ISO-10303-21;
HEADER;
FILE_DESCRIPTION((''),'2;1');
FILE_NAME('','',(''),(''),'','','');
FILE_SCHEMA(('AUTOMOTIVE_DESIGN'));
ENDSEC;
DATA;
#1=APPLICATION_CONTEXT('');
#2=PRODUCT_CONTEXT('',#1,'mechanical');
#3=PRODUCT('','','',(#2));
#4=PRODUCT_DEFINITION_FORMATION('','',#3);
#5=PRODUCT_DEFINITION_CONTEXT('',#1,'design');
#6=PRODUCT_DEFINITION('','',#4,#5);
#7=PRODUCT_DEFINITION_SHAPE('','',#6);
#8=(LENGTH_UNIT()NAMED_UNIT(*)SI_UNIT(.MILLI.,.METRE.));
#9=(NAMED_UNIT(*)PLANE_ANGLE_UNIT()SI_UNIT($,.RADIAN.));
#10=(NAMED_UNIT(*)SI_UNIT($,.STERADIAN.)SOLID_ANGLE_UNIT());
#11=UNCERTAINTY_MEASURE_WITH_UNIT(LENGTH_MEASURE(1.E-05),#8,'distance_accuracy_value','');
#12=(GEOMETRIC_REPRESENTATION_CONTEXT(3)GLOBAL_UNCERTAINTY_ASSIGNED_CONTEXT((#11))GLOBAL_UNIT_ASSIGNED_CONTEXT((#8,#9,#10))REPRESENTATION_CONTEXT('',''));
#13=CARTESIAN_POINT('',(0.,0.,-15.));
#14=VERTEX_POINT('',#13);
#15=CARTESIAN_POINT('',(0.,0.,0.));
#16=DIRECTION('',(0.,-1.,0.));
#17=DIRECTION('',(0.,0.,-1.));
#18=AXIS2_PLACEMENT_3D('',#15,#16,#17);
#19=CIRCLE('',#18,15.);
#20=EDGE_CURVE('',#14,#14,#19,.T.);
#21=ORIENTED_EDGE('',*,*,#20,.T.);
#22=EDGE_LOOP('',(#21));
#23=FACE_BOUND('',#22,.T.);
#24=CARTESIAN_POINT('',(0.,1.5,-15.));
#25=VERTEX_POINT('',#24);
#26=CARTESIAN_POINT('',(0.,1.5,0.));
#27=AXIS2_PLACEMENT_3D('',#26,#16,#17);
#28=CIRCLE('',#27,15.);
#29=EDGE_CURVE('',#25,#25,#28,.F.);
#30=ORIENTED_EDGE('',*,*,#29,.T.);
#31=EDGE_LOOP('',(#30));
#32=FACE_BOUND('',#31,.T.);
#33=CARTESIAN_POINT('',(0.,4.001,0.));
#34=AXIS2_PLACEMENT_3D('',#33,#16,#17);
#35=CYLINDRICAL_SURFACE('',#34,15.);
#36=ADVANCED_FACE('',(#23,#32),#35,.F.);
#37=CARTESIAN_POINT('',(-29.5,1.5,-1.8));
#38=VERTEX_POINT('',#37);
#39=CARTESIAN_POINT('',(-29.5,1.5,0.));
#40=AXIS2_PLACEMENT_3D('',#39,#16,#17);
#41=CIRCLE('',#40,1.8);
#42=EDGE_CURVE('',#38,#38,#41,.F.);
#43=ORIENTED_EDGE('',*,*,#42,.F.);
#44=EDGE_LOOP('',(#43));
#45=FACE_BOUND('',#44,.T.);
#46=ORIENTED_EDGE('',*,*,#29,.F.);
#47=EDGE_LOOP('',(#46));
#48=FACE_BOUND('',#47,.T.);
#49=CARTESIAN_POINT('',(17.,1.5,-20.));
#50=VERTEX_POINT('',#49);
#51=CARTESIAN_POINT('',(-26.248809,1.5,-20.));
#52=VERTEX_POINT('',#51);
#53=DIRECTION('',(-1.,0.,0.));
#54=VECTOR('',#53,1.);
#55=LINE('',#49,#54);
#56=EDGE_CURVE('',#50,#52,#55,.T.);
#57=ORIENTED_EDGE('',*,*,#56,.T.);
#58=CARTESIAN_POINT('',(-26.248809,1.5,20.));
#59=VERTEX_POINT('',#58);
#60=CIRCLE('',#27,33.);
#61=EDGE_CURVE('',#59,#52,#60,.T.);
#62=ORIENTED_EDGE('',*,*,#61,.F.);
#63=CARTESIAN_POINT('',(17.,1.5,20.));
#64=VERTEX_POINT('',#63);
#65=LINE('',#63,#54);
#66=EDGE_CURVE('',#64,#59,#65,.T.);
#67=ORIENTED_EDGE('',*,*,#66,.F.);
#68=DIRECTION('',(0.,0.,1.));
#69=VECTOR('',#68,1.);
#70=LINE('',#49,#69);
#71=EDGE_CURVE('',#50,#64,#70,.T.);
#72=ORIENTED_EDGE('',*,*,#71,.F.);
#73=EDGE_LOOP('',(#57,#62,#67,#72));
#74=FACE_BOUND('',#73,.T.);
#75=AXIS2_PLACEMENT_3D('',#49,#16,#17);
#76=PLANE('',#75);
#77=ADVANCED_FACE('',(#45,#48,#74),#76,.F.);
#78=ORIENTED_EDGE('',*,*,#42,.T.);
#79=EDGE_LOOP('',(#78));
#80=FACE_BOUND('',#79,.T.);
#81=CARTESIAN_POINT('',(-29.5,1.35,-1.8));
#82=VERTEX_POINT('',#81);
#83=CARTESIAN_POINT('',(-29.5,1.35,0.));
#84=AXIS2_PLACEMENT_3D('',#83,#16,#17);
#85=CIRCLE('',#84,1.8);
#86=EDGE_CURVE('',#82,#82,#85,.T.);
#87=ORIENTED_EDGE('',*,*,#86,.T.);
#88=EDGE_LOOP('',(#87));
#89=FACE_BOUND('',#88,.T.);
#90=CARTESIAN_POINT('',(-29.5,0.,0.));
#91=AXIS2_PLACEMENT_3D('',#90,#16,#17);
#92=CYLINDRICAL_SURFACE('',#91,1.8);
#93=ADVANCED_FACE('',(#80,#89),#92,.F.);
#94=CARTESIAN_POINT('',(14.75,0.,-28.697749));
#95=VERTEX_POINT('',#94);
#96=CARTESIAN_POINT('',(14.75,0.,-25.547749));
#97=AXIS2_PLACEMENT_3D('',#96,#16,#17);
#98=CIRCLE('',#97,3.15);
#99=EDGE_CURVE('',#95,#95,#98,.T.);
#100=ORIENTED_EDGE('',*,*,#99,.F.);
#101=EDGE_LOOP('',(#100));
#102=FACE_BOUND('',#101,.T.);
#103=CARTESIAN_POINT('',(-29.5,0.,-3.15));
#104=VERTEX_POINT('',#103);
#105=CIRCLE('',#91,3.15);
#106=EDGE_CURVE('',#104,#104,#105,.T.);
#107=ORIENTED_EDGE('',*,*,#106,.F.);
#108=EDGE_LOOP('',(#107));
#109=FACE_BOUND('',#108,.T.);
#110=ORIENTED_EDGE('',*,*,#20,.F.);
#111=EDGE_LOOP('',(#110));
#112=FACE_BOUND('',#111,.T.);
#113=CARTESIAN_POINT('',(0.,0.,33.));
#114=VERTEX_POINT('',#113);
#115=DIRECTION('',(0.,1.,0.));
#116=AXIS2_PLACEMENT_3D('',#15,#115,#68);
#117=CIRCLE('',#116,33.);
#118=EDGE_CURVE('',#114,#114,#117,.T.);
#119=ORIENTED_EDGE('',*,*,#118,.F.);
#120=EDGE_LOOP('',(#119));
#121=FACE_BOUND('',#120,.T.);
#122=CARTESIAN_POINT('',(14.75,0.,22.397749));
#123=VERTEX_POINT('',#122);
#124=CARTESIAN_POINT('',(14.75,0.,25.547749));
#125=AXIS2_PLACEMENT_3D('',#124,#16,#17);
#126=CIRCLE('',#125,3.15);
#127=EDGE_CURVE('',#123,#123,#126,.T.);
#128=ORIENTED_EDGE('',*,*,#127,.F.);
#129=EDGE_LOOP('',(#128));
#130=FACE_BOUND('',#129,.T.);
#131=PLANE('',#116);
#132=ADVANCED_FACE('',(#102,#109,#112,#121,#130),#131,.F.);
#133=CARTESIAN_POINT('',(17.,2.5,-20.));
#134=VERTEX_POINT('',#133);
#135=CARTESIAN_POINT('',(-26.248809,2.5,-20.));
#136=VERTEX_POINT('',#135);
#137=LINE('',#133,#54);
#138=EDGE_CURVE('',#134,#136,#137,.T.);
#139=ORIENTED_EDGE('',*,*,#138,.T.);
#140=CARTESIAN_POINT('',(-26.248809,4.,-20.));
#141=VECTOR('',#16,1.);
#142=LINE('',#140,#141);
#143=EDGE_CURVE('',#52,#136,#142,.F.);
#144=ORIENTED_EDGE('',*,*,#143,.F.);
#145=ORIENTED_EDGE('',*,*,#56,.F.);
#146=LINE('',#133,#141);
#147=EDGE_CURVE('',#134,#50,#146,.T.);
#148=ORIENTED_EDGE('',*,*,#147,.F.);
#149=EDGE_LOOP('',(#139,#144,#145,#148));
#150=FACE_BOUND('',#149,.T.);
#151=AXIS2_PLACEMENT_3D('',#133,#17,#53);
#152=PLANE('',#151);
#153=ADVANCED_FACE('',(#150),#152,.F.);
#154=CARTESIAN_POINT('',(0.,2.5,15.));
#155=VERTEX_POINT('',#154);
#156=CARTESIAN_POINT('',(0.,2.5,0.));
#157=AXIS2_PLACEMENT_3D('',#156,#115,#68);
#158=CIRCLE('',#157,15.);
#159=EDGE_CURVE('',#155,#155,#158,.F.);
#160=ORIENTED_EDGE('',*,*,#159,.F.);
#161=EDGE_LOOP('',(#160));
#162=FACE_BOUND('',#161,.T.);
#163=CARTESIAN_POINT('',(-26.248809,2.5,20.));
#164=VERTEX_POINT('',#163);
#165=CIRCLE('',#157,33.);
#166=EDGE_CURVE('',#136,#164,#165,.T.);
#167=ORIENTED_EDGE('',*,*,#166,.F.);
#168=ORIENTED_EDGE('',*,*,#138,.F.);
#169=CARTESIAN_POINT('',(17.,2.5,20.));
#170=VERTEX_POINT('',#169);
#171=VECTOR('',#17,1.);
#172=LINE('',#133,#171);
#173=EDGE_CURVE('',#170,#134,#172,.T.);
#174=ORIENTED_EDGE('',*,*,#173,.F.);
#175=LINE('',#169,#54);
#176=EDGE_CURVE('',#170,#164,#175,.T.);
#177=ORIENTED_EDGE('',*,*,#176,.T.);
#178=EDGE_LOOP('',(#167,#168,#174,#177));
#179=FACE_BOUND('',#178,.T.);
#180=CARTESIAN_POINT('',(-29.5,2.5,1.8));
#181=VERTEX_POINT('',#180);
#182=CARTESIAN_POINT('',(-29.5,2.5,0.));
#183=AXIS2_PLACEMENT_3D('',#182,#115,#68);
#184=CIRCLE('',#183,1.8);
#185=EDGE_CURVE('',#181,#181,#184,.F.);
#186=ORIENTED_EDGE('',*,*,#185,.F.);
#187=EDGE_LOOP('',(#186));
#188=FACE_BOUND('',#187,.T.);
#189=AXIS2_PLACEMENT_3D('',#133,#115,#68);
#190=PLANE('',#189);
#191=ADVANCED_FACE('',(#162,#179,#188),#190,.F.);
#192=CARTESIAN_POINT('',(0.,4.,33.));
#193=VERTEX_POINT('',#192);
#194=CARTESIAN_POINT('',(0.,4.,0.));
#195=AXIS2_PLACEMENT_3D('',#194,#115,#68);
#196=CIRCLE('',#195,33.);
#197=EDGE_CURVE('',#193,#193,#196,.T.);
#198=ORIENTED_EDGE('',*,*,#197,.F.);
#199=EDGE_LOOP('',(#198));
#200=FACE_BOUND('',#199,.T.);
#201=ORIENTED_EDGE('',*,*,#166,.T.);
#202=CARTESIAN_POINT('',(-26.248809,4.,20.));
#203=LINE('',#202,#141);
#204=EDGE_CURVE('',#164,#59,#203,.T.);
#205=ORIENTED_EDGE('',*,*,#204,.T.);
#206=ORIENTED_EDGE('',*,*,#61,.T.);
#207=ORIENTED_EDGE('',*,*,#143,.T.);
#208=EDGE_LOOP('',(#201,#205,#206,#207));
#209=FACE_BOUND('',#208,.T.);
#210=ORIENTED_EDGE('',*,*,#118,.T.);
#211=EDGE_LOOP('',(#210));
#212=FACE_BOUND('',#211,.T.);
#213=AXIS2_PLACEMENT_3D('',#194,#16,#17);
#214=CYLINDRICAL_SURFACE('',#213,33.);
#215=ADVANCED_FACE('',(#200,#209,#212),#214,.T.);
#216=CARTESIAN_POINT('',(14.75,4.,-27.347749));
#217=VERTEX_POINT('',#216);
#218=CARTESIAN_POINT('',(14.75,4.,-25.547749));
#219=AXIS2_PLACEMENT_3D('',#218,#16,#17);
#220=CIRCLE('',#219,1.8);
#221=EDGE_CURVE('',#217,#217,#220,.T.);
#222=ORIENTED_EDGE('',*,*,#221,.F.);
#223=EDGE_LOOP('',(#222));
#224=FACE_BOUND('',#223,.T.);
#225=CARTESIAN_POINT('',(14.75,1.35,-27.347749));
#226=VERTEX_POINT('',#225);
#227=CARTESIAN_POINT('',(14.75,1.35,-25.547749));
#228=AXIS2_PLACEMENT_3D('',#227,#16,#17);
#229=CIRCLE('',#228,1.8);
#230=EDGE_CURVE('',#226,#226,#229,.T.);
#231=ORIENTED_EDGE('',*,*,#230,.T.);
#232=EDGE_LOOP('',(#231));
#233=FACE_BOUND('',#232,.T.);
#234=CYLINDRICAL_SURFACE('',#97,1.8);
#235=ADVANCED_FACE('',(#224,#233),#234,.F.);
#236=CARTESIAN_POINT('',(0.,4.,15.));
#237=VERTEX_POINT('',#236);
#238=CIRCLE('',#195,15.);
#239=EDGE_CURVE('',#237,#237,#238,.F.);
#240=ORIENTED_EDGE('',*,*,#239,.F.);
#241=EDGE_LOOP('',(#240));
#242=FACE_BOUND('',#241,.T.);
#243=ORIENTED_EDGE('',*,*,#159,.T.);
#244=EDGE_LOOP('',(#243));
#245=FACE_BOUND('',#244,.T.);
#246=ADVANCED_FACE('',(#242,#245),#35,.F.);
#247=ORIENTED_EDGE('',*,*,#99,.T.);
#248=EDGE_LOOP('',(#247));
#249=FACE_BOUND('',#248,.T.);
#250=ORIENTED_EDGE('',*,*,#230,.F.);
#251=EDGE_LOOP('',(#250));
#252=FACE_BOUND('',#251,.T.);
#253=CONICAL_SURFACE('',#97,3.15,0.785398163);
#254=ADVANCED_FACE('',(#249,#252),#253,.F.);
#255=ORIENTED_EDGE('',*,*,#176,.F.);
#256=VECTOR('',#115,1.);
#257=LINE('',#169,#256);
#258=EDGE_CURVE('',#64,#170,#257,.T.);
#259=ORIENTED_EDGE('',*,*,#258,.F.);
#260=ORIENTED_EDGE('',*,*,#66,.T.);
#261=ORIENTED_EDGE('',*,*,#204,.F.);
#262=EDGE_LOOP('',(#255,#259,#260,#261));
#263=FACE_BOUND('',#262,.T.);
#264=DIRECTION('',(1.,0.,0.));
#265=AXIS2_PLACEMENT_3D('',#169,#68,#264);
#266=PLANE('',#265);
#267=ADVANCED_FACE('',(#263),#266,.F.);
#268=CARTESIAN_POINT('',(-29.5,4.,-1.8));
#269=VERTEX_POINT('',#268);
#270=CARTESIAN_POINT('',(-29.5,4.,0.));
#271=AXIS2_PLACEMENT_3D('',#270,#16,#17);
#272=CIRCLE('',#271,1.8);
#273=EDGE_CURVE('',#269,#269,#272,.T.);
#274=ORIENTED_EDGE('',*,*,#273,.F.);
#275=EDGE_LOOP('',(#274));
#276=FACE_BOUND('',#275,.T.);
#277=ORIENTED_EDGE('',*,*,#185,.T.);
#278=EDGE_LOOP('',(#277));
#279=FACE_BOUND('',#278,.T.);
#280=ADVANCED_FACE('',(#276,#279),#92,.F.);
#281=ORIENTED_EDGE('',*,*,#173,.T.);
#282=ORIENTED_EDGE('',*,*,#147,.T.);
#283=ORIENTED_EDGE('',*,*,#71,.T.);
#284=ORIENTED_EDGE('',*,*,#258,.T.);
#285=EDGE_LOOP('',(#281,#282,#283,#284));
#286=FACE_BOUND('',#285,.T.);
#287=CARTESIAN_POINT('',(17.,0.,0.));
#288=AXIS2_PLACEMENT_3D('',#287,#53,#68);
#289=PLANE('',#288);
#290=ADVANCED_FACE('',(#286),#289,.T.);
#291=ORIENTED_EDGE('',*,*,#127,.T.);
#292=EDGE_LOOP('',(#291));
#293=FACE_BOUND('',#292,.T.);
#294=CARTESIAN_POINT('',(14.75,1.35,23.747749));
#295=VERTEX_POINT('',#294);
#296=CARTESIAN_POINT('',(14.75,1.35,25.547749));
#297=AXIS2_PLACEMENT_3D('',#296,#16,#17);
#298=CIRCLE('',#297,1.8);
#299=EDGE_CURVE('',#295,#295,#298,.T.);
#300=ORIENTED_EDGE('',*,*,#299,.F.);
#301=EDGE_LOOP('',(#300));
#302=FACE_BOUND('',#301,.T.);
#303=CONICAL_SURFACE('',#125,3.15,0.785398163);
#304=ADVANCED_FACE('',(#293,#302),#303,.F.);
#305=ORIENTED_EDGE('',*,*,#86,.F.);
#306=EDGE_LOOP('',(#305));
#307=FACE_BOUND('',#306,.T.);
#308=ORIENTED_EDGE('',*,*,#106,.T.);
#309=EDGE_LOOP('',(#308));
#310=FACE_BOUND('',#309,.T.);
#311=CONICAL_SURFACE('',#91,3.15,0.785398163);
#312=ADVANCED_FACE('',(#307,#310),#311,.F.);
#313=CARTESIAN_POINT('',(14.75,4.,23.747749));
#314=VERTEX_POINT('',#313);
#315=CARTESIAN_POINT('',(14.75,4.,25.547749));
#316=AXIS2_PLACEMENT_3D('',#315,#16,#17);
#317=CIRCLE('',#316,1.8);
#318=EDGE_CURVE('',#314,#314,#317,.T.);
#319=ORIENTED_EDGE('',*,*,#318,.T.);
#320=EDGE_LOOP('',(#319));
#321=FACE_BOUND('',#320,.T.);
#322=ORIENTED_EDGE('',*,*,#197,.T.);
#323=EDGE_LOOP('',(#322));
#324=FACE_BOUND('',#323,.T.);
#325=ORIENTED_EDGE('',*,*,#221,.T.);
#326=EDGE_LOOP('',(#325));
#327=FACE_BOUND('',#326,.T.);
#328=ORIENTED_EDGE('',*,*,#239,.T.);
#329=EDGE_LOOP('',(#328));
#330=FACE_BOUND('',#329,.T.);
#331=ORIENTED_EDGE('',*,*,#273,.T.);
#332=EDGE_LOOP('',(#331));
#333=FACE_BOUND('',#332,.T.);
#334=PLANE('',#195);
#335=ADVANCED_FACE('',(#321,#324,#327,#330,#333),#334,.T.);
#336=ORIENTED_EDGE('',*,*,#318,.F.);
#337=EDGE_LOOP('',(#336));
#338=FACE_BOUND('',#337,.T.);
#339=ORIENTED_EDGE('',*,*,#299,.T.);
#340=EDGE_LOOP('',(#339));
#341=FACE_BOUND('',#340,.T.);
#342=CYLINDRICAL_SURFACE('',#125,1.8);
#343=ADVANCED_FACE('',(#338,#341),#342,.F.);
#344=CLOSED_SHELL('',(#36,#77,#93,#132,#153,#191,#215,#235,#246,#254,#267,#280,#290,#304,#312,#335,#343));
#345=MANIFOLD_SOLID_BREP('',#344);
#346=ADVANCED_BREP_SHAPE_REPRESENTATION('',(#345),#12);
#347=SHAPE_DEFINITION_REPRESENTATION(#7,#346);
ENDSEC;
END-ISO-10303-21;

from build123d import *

# Parameters (mm, degrees)
SKETCH1_R                                       = 33
SKETCH1_R_2                                     = 1.5
BOSS_EXTRUDE1_DEPTH                             = 4
CSK_FOR_M3_FLAT_HEAD_MACHINE_SCREW1_D           = 3.6
CSK_FOR_M3_FLAT_HEAD_MACHINE_SCREW1_CSINK_D     = 6.3
CSK_FOR_M3_FLAT_HEAD_MACHINE_SCREW1_CSINK_ANGLE = 90
CORTAR_EXTRUIR1_REACH                           = 48.84
CROQUIS1_R                                      = 15
CROQUIS2_W                                      = 40
CROQUIS2_H                                      = 1
CORTAR_EXTRUIR2_DEPTH                           = 50


with BuildPart() as part:
    # Sketch1 → Boss-Extrude1 (new body)
    with BuildSketch(Plane(origin=(0, 0, 0), x_dir=(1, 0, 0), z_dir=(0, 1, 0))):
        Circle(SKETCH1_R)
        with Locations((-29.5, 0)):
            Circle(SKETCH1_R_2, mode=Mode.SUBTRACT)
        with Locations((14.75, 25.547749412)):
            Circle(SKETCH1_R_2, mode=Mode.SUBTRACT)
        with Locations((14.75, -25.547749412)):
            Circle(SKETCH1_R_2, mode=Mode.SUBTRACT)
    extrude(amount=BOSS_EXTRUDE1_DEPTH)

    # CSK for M3 Flat Head Machine Screw1 (through all)
    with Locations(Plane(origin=(0, 0, 0), x_dir=(-1, 0, 0), z_dir=(0, -1, 0))):
        with Locations((-14.75, -25.547749412), (29.5, 0), (-14.75, 25.547749412)):
            CounterSinkHole(CSK_FOR_M3_FLAT_HEAD_MACHINE_SCREW1_D / 2, CSK_FOR_M3_FLAT_HEAD_MACHINE_SCREW1_CSINK_D / 2, counter_sink_angle=CSK_FOR_M3_FLAT_HEAD_MACHINE_SCREW1_CSINK_ANGLE)

    # Croquis1 → Cortar-Extruir1 (cut, up to next)
    with BuildSketch(Plane.XZ, mode=Mode.PRIVATE) as cortar_extruir1_sk1:
        Circle(CROQUIS1_R)
    cortar_extruir1_tool1 = extrude(cortar_extruir1_sk1.sketch, amount=-CORTAR_EXTRUIR1_REACH, mode=Mode.PRIVATE) & part.part
    add(cortar_extruir1_tool1.solids().sort_by_distance((0, 0, 0))[0], mode=Mode.SUBTRACT)

    # Croquis2 → Cortar-Extruir2 (cut)
    with BuildSketch(Plane.ZY.offset(33)):
        with Locations((0, 2)):
            Rectangle(CROQUIS2_W, CROQUIS2_H)
    extrude(amount=-CORTAR_EXTRUIR2_DEPTH, mode=Mode.SUBTRACT)


solid = part.part
